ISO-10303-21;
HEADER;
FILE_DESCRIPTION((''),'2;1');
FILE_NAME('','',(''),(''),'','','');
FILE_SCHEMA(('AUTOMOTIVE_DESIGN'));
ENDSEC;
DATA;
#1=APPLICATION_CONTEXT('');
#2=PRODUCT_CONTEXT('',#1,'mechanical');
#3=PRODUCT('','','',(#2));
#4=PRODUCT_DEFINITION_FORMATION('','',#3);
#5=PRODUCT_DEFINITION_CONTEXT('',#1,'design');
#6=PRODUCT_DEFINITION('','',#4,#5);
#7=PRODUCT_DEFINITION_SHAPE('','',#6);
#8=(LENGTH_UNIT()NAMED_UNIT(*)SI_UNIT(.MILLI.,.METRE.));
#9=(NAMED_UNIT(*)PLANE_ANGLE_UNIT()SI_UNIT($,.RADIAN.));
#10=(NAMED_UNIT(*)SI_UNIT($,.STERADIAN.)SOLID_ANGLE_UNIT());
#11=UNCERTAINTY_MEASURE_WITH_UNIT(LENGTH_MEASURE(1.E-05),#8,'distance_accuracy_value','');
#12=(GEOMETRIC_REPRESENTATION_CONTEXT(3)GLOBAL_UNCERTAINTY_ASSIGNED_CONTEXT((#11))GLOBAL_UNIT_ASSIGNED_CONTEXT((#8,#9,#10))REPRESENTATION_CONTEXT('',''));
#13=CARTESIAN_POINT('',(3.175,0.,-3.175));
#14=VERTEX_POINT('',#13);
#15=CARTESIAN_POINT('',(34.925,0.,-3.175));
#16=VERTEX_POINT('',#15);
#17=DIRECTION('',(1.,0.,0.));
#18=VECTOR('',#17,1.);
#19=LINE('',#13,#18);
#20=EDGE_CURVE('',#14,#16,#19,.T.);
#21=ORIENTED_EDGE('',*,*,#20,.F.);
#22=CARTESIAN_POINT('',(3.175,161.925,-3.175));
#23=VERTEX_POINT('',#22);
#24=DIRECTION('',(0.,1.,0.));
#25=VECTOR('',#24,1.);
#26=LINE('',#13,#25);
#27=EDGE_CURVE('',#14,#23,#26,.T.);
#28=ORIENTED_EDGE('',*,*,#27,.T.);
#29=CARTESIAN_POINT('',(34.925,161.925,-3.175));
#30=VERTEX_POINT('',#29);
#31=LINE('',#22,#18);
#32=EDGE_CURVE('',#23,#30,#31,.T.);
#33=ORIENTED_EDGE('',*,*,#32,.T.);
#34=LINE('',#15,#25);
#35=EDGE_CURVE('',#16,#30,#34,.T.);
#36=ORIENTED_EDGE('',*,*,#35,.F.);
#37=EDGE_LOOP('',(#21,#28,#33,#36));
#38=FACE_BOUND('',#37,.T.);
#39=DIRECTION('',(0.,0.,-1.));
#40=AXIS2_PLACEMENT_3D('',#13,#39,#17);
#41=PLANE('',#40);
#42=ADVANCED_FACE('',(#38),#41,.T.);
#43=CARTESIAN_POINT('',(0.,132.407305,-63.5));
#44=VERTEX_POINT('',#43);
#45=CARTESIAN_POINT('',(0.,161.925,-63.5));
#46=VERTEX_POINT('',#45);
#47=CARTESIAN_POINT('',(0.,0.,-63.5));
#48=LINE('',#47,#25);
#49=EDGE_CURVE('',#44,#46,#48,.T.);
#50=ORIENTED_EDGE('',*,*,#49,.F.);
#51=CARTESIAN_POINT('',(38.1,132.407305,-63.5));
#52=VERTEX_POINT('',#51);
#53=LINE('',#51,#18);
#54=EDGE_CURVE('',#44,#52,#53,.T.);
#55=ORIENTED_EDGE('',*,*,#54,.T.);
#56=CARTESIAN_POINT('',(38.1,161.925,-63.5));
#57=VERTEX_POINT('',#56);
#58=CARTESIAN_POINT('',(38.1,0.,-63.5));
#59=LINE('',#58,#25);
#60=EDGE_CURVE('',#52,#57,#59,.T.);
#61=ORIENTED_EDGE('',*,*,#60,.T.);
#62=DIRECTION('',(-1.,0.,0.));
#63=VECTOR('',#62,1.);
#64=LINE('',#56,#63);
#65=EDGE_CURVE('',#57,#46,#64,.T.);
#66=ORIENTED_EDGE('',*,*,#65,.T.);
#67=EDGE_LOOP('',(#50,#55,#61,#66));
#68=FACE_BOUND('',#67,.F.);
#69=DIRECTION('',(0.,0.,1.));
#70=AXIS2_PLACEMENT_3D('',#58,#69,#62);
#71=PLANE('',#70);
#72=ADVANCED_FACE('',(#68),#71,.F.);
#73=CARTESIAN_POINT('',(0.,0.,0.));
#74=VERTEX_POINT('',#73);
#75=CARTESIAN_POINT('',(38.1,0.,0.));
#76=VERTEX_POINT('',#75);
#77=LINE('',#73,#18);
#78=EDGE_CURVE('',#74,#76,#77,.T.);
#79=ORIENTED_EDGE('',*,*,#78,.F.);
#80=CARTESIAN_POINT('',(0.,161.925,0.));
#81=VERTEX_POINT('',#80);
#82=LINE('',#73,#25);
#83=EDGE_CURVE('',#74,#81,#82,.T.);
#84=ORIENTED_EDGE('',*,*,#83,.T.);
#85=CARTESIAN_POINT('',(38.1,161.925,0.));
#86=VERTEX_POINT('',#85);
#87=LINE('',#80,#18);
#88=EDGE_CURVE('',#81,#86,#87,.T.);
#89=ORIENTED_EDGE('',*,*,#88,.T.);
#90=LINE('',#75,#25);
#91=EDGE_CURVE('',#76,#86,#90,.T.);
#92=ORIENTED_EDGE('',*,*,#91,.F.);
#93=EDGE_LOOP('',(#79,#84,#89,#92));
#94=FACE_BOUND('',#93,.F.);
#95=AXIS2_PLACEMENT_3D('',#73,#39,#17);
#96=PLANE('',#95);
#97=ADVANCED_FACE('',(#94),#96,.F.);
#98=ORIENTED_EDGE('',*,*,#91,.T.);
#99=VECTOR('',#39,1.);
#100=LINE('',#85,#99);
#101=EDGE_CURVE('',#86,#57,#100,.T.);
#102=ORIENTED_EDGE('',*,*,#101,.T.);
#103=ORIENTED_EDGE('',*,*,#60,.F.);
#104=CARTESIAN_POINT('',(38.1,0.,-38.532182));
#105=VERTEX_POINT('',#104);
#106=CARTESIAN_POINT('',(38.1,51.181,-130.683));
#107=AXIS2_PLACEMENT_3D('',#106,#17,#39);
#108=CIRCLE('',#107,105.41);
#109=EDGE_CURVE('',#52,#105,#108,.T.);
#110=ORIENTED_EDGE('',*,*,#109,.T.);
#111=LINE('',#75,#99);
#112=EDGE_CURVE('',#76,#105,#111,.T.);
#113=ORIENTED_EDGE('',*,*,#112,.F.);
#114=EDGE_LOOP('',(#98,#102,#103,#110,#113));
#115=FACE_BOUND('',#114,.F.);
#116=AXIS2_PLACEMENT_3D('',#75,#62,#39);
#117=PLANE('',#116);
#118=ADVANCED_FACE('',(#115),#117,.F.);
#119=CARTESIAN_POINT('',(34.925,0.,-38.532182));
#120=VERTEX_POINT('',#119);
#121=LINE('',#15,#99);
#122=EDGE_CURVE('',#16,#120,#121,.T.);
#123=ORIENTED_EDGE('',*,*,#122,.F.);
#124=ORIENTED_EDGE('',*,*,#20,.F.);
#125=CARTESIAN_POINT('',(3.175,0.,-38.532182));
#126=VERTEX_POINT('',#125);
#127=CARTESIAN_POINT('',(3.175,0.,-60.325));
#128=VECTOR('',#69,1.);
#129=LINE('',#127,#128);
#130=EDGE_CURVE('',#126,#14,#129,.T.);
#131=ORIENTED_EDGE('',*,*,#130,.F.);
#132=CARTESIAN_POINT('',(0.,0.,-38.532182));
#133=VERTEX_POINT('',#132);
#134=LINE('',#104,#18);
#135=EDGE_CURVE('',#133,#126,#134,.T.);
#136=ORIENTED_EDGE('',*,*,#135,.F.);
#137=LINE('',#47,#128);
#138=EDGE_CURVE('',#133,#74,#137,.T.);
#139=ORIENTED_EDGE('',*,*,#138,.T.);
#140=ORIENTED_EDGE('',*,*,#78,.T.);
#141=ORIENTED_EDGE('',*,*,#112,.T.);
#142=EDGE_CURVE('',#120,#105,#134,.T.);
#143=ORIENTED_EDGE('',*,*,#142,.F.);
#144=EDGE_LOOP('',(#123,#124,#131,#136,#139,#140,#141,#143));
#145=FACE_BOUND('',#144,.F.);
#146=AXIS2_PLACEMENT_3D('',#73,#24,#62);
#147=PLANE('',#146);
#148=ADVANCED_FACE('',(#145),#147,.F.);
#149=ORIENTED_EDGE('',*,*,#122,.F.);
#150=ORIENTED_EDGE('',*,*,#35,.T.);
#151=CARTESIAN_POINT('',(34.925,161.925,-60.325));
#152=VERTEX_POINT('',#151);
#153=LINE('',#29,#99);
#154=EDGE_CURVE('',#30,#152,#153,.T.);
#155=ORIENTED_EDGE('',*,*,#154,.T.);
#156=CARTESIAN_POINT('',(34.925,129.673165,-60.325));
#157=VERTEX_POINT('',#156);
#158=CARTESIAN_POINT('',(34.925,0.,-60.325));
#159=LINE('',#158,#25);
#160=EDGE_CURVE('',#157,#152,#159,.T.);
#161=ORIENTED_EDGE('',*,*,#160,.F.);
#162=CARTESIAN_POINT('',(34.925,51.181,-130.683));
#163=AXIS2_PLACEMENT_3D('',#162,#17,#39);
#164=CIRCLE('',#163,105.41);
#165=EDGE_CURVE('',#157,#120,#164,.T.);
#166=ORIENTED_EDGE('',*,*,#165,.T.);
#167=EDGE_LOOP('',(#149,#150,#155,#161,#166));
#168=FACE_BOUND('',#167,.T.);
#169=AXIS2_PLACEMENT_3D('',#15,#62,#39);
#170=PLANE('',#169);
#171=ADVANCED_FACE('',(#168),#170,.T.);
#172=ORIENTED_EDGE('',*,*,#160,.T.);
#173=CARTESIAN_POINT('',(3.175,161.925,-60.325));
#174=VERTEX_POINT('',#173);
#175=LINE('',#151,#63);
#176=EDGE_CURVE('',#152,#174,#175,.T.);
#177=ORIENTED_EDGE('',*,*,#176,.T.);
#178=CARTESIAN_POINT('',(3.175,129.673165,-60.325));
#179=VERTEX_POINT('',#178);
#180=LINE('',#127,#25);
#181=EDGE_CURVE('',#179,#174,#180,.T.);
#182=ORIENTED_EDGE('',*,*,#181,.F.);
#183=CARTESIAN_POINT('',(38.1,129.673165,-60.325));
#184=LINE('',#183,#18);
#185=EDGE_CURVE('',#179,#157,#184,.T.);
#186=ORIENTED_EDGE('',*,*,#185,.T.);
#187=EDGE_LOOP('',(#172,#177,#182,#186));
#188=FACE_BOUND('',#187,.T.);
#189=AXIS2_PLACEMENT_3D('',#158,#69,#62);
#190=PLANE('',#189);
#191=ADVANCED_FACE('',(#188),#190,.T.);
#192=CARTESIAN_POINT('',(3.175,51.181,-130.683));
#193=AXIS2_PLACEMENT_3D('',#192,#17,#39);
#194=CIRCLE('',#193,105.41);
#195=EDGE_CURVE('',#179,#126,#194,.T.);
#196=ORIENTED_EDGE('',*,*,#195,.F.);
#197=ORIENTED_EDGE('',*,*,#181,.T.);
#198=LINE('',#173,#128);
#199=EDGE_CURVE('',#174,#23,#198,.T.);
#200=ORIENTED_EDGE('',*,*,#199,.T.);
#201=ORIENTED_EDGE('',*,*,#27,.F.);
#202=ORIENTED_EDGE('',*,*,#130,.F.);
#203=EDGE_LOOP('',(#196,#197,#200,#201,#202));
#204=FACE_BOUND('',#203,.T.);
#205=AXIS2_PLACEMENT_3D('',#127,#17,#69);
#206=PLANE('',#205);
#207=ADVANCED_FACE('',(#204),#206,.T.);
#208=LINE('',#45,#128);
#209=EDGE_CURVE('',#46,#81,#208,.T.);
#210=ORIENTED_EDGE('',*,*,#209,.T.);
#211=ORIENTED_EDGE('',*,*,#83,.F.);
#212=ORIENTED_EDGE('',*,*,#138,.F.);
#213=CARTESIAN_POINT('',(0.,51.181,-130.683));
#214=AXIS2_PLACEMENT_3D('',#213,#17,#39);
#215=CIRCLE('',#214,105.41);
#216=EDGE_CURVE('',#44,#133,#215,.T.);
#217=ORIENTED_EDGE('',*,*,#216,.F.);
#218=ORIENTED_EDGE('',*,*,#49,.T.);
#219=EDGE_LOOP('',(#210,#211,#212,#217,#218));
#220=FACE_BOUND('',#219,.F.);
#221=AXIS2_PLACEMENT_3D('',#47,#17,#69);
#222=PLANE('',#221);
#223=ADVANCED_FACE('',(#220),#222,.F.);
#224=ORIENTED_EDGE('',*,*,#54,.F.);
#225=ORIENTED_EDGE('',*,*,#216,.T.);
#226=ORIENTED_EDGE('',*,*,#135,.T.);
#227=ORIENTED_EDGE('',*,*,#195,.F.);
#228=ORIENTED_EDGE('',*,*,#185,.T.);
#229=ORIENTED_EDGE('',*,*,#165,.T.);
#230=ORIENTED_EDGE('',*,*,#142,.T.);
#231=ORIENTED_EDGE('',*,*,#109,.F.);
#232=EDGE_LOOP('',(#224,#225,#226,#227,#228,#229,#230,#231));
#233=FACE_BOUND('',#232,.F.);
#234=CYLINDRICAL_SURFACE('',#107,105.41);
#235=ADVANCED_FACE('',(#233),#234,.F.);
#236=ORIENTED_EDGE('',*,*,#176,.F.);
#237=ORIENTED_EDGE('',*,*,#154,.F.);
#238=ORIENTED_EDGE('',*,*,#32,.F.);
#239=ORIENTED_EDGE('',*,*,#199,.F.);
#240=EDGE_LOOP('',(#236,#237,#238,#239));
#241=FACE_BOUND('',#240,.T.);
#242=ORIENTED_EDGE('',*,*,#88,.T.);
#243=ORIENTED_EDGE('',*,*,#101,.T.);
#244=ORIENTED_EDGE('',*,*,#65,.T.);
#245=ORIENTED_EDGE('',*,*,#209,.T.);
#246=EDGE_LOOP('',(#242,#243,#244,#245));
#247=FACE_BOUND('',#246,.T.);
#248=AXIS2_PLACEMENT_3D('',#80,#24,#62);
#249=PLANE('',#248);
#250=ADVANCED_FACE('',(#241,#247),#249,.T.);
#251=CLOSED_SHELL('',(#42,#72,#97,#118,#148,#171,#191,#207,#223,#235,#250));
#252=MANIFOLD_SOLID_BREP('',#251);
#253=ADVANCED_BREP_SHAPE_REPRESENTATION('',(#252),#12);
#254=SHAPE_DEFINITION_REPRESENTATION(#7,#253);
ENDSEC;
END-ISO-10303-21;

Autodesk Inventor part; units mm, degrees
ref_plane "YZ Plane" through (0, 0, 0) normal (1, 0, 0) x (0, 1, 0)
ref_plane "XZ Plane" through (0, 0, 0) normal (0, 1, 0) x (-1, 0, 0)
ref_plane "XY Plane" through (0, 0, 0) normal (0, 0, 1) x (1, 0, 0)
sketch "Sketch1" plane through (0, 0, 0) normal (0, 1, 0) x (-1, 0, 0)
  line L0 (0, 0) -> (-38.1, 0)
  line L1 (-38.1, 0) -> (-38.1, -63.5)
  line L2 (-38.1, -63.5) -> (0, -63.5)
  line L3 (0, -63.5) -> (0, 0)
  line L4 (-3.175, -3.175) -> (-34.925, -3.175)
  line L5 (-34.925, -3.175) -> (-34.925, -60.325)
  line L6 (-34.925, -60.325) -> (-3.175, -60.325)
  line L7 (-3.175, -60.325) -> (-3.175, -3.175)
  dimension "d0" = 38.1
  dimension "d1" = 63.5
  dimension "d2" = 3.175
extrude "Extrusion1" add sketch "Sketch1" along normal blind 161.925
sketch "Sketch4" plane through (38.1, 0, 0) normal (1, 0, 0) x (0, 0, -1)
  circle A0 centre (130.683, 51.181) radius 105.41
  circle A1 centre (130.683, 51.181) radius 53.1813 projected
  ellipse E0 centre (147.1552, -8.6501) end of major axis (154.6171, -47.0051) minor radius 29.2764 (155.9011, -46.7151) -> (160.9598, -44.7271) ccw projected
  point P0 (0, 0)
  dimension "d14" = 210.82
extrude "Extrusion5" cut sketch "Sketch4" against normal blind 60.325 contours A0 | A1
properties part number "Frame Croner Opposite"
